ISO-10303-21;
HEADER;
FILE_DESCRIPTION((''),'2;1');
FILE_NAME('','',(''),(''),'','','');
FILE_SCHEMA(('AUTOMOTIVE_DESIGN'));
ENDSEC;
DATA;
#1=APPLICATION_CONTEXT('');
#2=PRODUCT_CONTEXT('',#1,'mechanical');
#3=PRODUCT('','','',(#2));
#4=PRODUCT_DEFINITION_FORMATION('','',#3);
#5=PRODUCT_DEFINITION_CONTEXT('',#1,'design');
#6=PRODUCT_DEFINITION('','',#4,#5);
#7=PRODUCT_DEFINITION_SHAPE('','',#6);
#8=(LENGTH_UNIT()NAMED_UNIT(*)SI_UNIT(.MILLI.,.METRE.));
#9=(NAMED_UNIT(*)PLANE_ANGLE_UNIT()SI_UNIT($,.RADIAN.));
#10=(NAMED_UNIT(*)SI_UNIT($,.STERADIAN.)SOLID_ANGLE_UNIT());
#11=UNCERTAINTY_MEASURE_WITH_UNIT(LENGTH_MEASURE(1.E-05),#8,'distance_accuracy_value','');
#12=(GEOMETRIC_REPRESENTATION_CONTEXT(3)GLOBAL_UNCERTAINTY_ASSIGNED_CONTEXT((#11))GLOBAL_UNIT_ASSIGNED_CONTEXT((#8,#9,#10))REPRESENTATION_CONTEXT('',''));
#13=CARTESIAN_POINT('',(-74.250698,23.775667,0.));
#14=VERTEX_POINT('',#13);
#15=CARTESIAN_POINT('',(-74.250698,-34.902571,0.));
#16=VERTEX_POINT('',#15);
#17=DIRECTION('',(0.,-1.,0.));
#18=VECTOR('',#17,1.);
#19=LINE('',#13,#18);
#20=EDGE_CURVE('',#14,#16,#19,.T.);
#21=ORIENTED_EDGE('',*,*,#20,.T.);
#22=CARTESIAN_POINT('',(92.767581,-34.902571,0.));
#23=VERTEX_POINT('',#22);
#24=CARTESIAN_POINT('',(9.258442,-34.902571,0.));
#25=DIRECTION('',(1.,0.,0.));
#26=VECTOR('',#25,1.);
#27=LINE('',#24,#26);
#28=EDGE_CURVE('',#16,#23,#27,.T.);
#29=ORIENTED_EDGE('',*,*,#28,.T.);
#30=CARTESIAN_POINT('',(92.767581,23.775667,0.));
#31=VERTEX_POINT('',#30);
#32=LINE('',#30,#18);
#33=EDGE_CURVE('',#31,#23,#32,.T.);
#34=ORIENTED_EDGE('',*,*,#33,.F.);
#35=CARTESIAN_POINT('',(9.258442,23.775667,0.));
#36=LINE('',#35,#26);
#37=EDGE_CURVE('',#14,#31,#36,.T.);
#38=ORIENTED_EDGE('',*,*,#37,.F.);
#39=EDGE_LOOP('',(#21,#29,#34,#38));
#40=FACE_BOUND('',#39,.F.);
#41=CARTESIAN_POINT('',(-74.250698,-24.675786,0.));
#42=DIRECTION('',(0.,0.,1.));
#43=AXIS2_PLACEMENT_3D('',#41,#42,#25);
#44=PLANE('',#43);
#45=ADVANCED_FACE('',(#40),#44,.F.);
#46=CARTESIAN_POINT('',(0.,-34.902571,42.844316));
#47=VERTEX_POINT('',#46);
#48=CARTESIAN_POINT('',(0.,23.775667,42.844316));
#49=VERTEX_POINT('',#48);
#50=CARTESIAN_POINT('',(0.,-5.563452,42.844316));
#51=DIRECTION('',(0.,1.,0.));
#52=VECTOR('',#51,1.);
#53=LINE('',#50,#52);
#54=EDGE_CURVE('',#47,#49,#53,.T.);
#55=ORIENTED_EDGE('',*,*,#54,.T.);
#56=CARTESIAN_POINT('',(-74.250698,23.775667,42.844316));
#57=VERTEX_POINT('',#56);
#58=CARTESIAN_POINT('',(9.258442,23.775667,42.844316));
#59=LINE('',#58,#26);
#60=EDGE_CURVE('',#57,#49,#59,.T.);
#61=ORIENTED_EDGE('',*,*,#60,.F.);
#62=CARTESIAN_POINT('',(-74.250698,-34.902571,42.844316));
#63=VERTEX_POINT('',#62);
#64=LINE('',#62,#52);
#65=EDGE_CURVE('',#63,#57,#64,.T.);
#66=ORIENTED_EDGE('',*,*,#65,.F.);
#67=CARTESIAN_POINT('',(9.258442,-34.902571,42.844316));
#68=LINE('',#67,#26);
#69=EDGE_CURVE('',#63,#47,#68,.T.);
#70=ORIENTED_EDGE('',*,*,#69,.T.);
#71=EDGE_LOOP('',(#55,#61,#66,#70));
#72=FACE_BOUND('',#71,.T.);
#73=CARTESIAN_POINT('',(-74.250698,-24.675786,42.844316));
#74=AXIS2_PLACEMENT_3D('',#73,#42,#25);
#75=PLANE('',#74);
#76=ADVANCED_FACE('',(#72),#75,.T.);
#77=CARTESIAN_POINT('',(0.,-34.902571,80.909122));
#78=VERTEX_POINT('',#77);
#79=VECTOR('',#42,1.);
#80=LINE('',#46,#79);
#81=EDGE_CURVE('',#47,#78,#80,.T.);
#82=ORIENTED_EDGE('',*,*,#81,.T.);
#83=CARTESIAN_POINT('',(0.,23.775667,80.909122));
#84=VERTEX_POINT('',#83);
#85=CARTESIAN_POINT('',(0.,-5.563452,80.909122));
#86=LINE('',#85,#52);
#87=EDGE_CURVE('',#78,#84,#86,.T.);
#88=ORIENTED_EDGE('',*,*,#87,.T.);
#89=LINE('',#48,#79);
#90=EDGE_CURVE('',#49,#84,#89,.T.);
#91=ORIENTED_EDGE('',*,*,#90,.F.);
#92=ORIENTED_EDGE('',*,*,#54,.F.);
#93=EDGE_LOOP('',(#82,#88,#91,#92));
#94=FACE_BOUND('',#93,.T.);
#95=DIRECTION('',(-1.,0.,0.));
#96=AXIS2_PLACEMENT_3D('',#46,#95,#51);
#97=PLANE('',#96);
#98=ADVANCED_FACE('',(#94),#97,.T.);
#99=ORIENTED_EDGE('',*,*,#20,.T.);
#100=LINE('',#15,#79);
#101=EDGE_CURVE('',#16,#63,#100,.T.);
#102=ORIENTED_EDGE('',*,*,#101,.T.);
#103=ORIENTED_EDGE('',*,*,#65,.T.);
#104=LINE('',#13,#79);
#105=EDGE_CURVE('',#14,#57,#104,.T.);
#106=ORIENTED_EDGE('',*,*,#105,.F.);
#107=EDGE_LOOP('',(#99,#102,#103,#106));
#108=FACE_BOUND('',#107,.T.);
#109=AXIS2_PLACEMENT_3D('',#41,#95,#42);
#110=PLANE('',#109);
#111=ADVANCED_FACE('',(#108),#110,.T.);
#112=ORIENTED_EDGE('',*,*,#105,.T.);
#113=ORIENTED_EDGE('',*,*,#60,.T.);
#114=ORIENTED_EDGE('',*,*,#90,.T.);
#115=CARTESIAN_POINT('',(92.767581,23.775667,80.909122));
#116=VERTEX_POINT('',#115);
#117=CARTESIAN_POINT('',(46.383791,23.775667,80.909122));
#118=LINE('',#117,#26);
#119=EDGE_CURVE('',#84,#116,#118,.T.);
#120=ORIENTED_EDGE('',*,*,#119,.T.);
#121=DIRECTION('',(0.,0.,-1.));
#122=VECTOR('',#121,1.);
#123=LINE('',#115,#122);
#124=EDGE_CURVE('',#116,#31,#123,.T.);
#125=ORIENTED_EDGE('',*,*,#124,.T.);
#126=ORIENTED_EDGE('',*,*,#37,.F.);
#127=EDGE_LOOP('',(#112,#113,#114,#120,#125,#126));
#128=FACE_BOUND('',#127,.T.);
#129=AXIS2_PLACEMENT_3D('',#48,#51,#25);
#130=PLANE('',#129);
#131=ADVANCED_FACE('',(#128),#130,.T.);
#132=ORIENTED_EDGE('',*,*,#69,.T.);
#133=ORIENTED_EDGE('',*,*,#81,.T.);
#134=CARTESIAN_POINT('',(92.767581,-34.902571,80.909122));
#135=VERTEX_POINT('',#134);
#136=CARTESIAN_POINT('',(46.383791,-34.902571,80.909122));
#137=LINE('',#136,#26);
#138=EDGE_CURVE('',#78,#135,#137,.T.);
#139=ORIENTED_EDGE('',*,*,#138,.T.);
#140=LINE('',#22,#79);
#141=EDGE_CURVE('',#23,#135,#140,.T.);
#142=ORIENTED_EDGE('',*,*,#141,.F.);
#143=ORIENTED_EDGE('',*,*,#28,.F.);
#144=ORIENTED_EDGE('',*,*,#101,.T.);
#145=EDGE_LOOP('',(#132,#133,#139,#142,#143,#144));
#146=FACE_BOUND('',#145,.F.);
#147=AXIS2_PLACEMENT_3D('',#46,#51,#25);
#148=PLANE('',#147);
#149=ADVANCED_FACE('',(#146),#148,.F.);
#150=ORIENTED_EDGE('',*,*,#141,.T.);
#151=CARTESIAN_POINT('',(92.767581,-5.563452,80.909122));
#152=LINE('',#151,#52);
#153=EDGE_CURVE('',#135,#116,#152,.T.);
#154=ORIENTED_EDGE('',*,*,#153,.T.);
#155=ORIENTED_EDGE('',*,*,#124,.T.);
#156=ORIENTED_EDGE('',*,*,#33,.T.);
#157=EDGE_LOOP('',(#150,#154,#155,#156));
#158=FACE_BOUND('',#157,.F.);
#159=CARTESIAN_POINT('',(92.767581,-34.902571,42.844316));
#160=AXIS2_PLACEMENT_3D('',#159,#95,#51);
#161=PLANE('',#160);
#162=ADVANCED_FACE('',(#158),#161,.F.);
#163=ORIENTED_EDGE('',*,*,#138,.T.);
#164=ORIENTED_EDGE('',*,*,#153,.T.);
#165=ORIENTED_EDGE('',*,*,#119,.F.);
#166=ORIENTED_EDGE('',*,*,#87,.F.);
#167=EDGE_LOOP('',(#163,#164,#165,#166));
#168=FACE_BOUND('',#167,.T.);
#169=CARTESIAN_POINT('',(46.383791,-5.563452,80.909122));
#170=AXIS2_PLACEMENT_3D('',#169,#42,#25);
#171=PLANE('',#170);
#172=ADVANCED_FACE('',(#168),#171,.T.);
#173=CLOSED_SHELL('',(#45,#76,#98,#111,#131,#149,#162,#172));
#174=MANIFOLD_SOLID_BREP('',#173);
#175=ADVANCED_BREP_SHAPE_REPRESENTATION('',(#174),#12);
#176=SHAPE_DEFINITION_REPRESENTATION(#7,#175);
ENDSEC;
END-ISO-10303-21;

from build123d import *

# Parameters (mm, degrees)
F0_W     = 167.0182794333
F0_H     = 48.4514534473
F1_DEPTH = 42.8443159908
F2_DEPTH = 10.226784274
F3_W     = 92.7675813437
F3_H     = 58.6782377213
F4_DEPTH = 38.0648057908


with BuildPart() as f1:
    # F0 (on Top) → F1 (new body)
    with BuildSketch(Plane.XY):
        with Locations((9.258441627, -0.4500597715)):
            Rectangle(F0_W, F0_H)
    extrude(amount=F1_DEPTH)

    # F2 (add): a face of the model
    f2_faces = [f1.faces().sort_by_distance(p)[0] for p in [
        (9.258441627, -24.6757864952, 21.4221579954),
    ]]
    extrude(f2_faces, amount=F2_DEPTH)

    # F3 (on face) → F4 (join)
    with BuildSketch(Plane.XY.offset(42.8443159908)):
        with Locations((46.3837906718, -5.5634519085)):
            Rectangle(F3_W, F3_H)
    extrude(amount=F4_DEPTH)


solid = f1.part
